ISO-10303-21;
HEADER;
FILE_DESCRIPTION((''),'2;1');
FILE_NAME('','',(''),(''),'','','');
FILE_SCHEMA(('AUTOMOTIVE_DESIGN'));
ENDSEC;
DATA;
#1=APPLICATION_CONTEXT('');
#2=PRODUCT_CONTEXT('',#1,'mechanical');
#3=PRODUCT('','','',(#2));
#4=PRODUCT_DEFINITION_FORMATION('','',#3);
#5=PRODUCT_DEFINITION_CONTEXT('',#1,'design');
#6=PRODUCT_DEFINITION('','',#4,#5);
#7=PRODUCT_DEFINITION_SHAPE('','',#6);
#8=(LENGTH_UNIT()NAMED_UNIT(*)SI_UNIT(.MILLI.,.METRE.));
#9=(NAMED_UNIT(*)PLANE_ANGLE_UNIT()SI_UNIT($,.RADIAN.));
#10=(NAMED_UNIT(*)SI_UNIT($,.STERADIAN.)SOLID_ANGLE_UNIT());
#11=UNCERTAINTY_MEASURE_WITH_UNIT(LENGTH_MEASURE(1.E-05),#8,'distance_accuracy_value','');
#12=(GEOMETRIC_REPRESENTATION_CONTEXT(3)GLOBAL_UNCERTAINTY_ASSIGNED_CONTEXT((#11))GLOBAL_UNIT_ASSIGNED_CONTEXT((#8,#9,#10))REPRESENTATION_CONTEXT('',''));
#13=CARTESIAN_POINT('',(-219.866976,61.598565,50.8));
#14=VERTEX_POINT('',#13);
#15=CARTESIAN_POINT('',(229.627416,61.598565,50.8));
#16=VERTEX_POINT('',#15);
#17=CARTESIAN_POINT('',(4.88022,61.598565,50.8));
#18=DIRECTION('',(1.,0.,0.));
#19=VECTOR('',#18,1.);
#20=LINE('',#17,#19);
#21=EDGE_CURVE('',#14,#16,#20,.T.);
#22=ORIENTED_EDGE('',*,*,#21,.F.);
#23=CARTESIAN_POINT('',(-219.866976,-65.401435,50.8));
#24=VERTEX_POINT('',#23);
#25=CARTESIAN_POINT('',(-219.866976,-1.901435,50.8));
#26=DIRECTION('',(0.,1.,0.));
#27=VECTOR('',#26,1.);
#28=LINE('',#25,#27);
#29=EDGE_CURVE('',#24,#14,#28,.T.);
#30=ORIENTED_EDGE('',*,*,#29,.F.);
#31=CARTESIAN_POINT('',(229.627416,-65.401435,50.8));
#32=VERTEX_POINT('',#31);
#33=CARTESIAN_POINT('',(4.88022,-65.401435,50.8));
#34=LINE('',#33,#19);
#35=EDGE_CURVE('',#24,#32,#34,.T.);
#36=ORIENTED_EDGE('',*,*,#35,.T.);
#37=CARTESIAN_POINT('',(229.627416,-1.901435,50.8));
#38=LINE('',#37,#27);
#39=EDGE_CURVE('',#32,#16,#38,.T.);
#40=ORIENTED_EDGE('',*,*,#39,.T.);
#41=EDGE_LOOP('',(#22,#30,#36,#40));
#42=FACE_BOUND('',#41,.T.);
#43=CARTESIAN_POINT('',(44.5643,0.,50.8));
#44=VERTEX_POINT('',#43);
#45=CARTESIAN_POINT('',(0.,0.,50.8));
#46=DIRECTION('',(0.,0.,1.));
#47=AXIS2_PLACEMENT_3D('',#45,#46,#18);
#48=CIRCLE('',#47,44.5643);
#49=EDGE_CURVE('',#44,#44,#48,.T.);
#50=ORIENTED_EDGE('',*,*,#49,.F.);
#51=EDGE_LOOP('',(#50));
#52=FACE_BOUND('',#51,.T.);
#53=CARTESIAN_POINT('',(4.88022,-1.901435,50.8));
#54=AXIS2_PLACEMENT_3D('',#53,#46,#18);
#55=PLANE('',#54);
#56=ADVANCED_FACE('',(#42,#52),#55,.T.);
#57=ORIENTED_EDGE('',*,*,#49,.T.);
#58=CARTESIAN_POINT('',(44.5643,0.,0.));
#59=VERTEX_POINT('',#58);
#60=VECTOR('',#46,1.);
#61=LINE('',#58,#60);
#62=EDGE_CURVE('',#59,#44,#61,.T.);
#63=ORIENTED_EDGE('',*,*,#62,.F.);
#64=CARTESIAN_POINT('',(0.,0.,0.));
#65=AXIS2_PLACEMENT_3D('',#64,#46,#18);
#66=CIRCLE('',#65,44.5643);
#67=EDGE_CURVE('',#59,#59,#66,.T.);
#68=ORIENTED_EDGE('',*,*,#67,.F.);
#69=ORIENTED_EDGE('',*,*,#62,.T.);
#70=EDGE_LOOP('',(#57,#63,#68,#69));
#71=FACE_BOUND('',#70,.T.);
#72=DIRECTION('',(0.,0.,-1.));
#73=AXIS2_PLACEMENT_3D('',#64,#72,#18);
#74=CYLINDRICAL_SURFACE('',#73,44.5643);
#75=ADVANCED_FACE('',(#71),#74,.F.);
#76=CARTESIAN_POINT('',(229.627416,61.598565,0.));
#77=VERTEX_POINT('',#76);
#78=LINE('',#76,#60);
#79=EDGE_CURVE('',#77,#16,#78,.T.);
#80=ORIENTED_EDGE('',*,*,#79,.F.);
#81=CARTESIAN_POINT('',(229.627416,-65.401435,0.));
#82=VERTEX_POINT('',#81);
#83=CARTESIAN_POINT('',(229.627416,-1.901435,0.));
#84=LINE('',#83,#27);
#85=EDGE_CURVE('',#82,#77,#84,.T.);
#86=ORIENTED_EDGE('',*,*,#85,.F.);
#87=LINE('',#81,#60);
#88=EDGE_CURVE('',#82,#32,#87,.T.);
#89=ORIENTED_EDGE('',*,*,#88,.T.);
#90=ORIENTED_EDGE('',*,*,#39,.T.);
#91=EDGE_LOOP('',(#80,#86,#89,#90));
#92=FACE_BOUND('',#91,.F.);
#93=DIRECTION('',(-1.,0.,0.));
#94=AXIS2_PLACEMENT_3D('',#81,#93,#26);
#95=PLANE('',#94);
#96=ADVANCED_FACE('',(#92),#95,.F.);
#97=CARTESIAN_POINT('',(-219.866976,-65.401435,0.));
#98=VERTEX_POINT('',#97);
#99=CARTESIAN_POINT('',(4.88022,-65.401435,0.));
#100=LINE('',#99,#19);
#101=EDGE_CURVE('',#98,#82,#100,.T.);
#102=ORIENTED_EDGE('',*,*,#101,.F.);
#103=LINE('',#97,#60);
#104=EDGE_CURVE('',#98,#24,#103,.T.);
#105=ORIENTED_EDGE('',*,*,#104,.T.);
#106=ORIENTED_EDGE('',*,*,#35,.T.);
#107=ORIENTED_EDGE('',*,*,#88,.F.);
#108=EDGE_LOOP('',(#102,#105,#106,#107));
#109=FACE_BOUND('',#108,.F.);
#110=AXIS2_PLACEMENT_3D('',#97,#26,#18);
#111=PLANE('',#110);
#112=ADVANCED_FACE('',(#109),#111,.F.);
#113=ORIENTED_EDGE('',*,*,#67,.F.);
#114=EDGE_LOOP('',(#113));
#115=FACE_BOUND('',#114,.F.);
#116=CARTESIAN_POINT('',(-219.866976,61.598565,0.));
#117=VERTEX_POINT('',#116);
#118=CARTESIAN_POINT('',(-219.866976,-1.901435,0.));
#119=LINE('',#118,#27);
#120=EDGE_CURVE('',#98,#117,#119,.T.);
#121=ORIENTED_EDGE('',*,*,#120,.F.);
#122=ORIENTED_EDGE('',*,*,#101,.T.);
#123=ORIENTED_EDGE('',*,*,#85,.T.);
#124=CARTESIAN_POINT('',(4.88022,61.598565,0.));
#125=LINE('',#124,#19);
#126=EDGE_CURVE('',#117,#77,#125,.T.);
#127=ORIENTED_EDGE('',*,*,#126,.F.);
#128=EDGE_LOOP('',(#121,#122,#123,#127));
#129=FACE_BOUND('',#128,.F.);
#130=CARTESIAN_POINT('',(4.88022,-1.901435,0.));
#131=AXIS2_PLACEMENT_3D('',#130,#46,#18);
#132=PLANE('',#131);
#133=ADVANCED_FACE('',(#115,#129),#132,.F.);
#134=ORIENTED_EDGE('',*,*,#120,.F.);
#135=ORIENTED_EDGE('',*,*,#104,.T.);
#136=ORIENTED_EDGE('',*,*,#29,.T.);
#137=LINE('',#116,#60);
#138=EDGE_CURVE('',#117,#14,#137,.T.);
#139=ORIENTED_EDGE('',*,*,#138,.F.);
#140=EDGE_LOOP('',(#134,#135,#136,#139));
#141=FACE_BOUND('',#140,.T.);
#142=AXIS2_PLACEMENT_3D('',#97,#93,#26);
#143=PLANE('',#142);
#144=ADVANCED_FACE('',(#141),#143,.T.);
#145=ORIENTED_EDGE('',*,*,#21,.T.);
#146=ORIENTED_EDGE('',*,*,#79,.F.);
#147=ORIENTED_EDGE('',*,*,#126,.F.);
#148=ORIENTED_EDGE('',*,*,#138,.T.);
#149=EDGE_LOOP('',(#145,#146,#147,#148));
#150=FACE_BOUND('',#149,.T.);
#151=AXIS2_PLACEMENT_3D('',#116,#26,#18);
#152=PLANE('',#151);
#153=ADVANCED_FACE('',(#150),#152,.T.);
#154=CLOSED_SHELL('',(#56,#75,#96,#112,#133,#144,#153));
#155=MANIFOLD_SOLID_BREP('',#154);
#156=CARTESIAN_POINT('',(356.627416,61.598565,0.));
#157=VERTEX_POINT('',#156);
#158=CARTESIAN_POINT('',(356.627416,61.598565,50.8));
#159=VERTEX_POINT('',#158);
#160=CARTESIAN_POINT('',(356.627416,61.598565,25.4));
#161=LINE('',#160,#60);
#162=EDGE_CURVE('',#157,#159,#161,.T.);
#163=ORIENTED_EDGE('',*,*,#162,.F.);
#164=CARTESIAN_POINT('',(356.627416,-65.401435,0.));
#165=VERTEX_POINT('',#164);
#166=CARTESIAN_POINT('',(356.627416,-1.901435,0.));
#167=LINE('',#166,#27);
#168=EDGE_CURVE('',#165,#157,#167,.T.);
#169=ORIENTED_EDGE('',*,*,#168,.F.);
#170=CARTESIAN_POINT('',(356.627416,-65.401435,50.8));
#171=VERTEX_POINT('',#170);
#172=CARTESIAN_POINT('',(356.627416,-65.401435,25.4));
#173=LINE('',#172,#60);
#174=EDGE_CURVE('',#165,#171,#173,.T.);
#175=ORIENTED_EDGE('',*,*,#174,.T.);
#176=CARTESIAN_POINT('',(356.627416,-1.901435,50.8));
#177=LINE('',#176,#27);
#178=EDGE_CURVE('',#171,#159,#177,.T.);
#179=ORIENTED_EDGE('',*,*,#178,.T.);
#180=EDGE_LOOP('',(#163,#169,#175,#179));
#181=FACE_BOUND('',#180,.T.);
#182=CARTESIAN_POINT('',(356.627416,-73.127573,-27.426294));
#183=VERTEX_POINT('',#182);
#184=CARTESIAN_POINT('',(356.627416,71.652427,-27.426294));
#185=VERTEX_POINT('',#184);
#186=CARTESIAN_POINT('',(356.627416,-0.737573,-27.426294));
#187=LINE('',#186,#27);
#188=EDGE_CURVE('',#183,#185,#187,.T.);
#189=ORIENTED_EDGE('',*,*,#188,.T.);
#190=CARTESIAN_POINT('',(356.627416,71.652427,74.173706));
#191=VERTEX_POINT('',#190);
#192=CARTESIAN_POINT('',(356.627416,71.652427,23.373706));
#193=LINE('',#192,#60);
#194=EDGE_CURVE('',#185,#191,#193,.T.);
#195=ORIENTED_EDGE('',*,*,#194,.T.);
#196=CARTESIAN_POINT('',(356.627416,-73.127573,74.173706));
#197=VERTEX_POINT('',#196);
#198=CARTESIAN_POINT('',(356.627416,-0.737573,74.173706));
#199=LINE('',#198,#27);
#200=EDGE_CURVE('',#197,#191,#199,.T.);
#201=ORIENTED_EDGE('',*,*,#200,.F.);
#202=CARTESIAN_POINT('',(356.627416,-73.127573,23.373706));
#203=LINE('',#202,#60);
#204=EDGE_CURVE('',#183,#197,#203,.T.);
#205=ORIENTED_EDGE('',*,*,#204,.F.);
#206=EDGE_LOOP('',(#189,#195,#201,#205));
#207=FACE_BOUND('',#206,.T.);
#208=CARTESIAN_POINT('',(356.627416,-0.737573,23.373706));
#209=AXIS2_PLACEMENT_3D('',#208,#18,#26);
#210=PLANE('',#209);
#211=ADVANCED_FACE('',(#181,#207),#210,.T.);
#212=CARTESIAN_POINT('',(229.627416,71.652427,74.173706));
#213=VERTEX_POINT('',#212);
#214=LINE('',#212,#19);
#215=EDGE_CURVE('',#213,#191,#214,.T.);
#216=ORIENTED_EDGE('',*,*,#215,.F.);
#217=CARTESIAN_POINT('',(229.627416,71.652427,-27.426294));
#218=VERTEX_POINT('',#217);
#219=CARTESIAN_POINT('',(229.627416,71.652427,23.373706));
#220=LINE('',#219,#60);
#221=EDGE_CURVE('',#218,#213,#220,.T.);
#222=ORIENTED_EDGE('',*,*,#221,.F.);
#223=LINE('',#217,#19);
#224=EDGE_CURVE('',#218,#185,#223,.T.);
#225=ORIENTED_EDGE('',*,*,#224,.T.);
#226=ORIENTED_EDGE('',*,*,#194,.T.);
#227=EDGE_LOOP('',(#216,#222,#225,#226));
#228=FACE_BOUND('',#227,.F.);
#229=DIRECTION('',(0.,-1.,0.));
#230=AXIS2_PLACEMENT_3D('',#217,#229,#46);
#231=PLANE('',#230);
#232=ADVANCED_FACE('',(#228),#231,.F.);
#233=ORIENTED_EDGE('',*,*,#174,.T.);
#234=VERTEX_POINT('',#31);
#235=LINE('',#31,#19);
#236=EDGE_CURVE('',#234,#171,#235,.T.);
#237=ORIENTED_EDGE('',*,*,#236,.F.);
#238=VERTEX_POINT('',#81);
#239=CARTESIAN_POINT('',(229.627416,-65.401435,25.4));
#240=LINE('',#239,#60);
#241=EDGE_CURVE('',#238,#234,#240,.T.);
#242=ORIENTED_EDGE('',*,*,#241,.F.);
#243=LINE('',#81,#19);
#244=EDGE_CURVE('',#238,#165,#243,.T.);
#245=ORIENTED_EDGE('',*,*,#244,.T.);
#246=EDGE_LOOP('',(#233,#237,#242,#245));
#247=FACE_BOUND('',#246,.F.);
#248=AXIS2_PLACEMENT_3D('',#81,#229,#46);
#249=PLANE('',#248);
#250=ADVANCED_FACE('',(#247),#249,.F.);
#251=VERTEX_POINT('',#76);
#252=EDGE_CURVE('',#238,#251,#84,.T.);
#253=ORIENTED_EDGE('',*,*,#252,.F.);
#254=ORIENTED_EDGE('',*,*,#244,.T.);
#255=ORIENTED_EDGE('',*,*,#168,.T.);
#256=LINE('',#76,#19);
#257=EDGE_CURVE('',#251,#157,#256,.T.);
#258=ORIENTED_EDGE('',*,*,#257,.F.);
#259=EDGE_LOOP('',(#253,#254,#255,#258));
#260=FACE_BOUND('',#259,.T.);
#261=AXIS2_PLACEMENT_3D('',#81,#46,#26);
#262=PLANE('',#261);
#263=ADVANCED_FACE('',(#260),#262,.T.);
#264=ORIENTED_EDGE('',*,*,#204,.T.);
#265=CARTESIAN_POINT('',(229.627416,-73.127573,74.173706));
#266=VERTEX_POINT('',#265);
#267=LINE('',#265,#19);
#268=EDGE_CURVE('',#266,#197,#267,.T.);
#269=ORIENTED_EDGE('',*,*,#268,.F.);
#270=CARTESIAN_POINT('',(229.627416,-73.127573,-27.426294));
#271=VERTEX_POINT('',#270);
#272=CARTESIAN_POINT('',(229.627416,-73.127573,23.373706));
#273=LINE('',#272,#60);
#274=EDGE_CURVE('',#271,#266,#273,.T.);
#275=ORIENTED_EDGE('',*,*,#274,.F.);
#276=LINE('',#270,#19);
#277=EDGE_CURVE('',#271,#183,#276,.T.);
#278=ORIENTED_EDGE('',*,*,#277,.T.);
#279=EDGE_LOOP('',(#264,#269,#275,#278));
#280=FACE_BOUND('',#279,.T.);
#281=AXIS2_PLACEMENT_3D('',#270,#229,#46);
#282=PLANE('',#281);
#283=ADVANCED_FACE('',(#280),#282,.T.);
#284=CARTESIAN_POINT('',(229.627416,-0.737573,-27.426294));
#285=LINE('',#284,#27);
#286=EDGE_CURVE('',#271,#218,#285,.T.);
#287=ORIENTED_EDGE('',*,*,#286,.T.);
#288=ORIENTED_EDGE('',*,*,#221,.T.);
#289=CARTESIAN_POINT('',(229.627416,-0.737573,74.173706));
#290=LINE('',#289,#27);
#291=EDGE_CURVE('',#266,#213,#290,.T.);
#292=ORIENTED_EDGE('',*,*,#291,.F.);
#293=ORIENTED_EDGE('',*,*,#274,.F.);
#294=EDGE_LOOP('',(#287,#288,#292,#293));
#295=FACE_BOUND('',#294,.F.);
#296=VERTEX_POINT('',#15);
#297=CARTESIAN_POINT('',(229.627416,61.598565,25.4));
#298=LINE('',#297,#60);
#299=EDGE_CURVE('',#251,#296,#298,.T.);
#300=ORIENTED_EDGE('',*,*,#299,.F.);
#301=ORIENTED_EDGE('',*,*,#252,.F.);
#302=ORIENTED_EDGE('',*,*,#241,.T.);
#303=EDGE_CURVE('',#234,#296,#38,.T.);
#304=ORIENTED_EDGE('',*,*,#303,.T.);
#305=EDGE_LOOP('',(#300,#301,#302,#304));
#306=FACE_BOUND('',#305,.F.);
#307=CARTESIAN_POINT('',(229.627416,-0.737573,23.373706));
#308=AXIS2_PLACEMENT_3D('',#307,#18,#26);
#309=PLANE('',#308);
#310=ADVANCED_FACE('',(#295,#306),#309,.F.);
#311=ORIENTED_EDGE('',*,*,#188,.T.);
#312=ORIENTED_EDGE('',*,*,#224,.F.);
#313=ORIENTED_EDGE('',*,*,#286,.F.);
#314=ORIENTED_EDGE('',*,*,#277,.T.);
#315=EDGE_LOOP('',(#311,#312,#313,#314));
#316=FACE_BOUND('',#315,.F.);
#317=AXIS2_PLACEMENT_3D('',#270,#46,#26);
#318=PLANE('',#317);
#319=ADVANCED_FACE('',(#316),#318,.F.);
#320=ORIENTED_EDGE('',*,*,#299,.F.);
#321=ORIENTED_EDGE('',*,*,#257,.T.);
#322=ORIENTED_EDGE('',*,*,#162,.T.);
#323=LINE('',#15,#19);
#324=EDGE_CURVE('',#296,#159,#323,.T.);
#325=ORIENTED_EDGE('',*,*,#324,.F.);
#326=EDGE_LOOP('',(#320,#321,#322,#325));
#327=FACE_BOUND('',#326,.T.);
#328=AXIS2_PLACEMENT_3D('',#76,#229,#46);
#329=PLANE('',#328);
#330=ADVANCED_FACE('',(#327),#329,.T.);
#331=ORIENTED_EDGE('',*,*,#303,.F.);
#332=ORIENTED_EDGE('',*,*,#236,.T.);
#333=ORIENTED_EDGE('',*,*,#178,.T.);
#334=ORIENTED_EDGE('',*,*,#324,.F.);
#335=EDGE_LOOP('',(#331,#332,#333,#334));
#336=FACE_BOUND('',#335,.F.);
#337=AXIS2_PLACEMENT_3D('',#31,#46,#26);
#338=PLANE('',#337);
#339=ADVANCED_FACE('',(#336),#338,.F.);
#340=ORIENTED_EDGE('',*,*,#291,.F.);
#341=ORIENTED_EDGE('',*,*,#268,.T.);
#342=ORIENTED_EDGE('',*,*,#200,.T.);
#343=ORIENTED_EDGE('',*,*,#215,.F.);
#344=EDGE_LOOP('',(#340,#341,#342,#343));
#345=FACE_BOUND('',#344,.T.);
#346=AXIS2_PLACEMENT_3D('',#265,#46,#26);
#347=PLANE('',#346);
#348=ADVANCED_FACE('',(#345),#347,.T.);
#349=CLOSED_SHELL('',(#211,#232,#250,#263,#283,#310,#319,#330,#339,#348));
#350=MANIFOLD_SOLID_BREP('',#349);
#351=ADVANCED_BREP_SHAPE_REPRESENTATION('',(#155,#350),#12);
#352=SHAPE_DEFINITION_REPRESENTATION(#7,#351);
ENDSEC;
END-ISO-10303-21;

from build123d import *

# Parameters (mm, degrees)
F0_W     = 449.494392
F0_H     = 127
F0_R     = 44.5643
F1_DEPTH = 50.8
F2_W     = 144.78
F2_H     = 101.6
F2_W_2   = 127
F2_H_2   = 50.8
F3_DEPTH = 127


with BuildPart() as f1:
    # F0 (on Top) → F1 (new body)
    with BuildSketch(Plane.XY):
        with Locations((4.88022, -1.901435)):
            Rectangle(F0_W, F0_H)
        Circle(F0_R, mode=Mode.SUBTRACT)
    extrude(amount=F1_DEPTH)


with BuildPart() as f3:
    # F2 (on face) → F3 (new body)
    with BuildSketch(Plane.YZ.offset(229.627416)):
        with Locations((-0.737573, 23.373706)):
            Rectangle(F2_W, F2_H)
        with Locations((-1.901435, 25.4)):
            Rectangle(F2_W_2, F2_H_2, mode=Mode.SUBTRACT)
    extrude(amount=F3_DEPTH)


solid = Compound([f1.part, f3.part])
